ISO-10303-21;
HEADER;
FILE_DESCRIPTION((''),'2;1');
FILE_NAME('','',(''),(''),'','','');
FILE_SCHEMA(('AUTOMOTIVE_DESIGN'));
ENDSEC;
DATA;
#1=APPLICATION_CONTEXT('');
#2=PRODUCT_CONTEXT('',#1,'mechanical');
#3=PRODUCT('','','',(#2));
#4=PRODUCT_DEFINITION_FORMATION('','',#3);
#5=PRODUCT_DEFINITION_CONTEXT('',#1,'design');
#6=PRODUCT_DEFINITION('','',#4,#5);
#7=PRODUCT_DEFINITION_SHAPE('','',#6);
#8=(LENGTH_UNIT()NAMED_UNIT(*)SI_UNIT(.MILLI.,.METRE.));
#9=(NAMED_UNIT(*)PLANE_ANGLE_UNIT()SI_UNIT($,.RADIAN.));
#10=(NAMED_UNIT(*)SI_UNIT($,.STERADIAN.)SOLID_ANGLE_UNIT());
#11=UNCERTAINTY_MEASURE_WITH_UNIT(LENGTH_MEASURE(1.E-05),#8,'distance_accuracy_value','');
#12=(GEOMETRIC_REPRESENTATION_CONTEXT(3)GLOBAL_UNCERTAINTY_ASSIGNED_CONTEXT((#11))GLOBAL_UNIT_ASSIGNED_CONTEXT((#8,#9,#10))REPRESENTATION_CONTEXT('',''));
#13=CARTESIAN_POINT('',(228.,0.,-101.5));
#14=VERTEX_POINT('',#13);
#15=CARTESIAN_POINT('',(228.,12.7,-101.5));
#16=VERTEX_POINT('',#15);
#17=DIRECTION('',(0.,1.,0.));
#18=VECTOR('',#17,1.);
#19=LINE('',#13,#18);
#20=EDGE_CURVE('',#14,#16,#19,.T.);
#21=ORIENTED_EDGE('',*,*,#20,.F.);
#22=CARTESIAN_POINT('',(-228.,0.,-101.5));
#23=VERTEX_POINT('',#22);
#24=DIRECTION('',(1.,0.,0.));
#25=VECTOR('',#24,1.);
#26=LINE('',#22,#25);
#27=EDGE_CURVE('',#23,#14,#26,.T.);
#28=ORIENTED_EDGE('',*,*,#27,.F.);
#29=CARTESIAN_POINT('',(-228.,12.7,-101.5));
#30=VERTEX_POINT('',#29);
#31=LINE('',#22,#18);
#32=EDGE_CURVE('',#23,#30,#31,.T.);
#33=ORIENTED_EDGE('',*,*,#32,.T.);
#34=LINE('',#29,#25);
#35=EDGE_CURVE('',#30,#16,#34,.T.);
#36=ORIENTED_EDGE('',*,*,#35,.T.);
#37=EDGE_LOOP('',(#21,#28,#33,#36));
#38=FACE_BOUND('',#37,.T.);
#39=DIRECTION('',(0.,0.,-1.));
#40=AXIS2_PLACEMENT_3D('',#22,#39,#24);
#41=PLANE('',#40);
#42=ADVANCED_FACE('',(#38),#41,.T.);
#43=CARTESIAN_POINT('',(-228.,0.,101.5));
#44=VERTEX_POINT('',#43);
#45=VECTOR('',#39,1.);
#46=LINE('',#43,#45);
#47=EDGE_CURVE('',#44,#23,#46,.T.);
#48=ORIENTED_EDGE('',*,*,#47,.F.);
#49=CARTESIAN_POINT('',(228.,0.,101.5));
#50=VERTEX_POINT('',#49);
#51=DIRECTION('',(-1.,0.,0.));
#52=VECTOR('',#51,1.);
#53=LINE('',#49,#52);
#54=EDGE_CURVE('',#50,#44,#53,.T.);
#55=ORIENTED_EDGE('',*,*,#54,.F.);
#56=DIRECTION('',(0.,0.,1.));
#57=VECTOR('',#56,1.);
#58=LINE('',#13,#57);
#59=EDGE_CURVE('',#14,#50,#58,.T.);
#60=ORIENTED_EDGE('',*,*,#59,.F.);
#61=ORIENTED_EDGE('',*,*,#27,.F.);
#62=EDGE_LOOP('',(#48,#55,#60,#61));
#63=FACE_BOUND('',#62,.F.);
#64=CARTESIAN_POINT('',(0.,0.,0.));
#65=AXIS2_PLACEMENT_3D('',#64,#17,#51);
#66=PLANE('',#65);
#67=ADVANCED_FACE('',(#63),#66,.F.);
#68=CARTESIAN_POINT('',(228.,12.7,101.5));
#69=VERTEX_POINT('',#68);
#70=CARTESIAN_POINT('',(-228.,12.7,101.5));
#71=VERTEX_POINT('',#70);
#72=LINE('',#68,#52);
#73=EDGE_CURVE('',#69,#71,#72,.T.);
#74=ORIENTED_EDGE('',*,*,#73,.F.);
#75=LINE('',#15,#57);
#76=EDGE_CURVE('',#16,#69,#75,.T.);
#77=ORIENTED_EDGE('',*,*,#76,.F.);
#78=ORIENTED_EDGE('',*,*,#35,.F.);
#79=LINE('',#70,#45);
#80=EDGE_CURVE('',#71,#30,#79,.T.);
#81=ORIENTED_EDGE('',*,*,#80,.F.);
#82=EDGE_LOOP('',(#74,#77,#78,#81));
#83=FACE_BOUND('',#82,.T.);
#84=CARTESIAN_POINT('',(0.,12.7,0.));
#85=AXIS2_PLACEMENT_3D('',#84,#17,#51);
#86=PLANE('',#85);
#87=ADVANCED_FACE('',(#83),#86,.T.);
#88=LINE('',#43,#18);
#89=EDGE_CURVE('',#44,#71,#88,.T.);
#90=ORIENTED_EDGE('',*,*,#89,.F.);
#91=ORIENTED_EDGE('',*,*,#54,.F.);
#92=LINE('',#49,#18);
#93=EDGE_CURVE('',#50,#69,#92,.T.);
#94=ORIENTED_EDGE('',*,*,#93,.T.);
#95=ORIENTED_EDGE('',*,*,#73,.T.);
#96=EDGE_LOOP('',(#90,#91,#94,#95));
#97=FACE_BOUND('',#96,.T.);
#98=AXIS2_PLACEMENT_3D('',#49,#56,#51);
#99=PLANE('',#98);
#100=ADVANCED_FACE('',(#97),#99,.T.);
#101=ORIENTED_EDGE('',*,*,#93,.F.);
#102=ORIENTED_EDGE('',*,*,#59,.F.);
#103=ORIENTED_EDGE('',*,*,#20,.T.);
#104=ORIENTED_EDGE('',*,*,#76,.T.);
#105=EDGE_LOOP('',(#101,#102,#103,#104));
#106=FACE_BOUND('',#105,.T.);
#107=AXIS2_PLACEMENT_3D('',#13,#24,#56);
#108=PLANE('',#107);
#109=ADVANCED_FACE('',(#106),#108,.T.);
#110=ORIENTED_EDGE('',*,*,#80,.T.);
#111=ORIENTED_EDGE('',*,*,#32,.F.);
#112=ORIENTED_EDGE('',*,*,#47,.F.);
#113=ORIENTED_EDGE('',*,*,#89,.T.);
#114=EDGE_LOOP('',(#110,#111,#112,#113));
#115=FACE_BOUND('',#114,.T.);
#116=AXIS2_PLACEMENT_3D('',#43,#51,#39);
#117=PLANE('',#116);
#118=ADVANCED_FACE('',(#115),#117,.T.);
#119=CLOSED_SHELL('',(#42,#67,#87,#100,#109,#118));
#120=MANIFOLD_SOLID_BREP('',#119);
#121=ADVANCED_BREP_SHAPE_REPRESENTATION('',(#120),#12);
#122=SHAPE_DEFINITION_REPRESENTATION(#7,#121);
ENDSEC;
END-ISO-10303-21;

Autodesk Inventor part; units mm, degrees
ref_plane "YZ Plane" through (0, 0, 0) normal (1, 0, 0) x (0, 1, 0)
ref_plane "XZ Plane" through (0, 0, 0) normal (0, 1, 0) x (-1, 0, 0)
ref_plane "XY Plane" through (0, 0, 0) normal (0, 0, 1) x (1, 0, 0)
sketch "Sketch1" plane through (0, 0, 0) normal (0, 1, 0) x (-1, 0, 0)
  line L0 (-228, 101.5) -> (228, 101.5)
  line L1 (228, 101.5) -> (228, -101.5)
  line L2 (228, -101.5) -> (-228, -101.5)
  line L3 (-228, -101.5) -> (-228, 101.5)
  line L4 (-228, 101.5) -> (228, -101.5) construction
  line L5 (228, 101.5) -> (-228, -101.5) construction
  point P0 (0, 0)
  dimension "d0" = 203
  dimension "d1" = 456
extrude "Extrusion1" add sketch "Sketch1" along normal blind 12.7
properties part number "Top Insulation 0p5in" material "Thermoplastic Resin"
